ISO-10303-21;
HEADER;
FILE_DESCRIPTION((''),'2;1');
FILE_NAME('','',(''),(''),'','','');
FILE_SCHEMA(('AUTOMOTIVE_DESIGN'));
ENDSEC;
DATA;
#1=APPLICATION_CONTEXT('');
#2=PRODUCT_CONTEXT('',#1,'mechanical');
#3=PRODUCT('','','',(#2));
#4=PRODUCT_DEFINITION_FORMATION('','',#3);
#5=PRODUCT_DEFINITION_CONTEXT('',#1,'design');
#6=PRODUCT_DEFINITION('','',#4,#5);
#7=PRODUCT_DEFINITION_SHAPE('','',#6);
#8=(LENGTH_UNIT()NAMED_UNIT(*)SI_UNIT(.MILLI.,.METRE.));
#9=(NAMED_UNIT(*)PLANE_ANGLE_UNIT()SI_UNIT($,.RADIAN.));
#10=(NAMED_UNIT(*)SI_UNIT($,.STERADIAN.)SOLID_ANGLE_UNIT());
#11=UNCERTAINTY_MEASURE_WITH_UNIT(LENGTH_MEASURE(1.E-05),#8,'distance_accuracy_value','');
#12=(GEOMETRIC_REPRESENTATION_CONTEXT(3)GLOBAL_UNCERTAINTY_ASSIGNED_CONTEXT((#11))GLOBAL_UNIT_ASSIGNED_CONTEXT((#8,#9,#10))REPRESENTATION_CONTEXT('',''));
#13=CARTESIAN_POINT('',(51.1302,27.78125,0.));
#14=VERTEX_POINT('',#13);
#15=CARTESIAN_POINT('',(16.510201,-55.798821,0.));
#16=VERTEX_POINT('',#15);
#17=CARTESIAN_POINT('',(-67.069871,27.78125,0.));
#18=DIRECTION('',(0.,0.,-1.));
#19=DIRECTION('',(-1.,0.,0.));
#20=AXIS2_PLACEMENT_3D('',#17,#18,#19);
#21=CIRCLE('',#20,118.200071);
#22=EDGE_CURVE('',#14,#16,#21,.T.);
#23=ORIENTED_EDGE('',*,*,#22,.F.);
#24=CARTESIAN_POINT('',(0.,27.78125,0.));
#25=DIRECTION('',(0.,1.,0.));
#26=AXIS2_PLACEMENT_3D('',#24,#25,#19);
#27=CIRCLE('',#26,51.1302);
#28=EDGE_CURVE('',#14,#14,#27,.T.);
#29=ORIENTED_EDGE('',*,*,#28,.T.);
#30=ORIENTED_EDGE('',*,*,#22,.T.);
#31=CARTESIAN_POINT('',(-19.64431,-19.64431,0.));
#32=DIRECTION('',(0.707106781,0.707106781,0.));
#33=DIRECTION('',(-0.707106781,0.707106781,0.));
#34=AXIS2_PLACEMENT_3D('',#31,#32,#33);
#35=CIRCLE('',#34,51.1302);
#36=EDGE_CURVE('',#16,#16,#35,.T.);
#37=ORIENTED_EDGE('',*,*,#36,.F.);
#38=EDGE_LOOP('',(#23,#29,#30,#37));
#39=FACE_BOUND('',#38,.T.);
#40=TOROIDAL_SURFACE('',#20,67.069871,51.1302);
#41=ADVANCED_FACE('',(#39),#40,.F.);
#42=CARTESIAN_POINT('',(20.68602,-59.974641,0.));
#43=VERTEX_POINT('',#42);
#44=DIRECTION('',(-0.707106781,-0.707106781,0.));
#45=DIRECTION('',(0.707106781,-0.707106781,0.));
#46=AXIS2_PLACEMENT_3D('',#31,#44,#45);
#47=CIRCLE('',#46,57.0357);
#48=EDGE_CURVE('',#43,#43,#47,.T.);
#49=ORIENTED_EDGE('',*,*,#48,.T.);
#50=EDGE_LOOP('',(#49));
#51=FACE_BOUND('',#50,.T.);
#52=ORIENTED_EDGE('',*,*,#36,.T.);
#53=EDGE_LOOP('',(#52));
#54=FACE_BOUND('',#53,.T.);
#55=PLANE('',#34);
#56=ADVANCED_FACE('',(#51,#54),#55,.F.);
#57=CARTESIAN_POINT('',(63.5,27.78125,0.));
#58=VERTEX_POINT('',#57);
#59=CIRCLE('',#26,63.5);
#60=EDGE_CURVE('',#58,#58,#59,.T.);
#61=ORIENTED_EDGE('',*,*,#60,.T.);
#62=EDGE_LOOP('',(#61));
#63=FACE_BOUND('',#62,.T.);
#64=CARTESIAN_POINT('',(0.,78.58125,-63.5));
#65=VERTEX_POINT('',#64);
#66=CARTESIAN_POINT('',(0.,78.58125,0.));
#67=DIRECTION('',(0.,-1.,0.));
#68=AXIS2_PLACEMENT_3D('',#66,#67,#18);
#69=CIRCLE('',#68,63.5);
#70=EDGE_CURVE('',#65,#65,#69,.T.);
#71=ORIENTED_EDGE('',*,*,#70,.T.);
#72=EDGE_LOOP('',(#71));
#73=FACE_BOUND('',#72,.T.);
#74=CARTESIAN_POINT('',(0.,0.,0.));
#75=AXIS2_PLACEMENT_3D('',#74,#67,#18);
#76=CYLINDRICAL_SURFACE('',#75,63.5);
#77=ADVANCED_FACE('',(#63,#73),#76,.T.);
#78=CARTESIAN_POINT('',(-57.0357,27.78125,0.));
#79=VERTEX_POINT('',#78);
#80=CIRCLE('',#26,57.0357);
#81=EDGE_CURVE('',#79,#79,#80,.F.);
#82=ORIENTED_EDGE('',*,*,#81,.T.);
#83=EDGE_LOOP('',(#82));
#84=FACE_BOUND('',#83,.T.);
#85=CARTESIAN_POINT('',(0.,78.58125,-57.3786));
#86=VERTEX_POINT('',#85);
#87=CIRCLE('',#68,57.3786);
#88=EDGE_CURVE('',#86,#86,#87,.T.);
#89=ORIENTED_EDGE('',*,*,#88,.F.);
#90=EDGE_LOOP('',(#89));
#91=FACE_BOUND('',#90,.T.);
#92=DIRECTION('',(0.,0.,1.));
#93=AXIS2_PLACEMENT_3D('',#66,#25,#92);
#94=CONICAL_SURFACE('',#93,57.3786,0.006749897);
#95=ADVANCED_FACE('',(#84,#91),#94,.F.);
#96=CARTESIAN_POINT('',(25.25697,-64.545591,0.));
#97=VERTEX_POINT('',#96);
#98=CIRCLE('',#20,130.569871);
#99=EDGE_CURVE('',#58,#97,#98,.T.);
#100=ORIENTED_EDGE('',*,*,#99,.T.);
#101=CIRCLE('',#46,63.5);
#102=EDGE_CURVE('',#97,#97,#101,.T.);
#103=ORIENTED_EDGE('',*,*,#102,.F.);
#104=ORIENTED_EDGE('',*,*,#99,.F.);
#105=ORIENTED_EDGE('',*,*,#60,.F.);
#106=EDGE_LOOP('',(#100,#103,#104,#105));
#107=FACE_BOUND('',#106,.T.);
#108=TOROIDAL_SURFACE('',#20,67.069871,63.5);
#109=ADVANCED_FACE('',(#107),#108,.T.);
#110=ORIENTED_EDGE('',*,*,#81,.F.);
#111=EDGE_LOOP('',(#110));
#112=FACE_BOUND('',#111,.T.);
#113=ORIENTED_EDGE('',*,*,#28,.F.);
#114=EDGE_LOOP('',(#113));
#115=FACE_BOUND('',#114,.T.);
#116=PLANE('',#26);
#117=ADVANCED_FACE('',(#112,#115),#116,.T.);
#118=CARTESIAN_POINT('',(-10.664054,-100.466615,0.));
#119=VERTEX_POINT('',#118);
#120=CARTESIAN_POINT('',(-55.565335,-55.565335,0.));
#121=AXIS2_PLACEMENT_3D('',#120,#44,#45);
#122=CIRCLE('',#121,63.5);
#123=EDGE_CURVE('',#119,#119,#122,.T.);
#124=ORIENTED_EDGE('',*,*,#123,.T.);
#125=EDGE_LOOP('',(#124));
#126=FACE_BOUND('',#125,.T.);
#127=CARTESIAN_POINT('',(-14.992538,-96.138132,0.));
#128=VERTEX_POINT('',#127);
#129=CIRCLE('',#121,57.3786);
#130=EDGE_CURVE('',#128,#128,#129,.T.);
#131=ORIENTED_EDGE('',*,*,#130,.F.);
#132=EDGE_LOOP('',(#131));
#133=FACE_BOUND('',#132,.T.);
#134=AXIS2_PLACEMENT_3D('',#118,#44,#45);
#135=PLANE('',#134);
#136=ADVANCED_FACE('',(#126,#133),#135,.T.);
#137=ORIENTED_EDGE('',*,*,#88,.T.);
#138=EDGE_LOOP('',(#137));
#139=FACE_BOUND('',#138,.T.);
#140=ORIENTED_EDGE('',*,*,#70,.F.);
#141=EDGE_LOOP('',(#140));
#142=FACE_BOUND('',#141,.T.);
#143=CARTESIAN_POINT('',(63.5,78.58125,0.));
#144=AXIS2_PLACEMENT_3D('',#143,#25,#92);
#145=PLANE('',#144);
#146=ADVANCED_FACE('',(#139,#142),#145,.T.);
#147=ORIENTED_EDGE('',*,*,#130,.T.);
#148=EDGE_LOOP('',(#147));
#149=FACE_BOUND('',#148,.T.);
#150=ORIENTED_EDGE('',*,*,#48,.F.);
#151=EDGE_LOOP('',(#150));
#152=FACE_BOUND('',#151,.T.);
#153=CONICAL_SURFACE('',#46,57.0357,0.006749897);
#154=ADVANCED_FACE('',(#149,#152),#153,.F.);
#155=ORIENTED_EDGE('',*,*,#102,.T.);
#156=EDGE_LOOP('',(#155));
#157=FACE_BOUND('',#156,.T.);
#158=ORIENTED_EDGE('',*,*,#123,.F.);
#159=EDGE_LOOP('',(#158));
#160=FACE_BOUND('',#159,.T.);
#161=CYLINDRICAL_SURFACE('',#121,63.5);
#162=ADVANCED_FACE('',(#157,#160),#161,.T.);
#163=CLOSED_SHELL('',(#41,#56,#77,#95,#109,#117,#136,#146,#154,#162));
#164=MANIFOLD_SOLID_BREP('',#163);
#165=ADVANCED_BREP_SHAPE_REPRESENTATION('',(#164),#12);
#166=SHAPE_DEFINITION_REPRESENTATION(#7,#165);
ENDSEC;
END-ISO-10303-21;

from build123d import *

# Parameters (mm, degrees)
SKETCH3_R   = 63.5
SKETCH3_R_2 = 51.1302


with BuildPart() as part:
    # Sketch1 → Revolve1 (revolve)
    with BuildSketch(Plane.XY):
        Polygon((-10.664054144, -100.466615354), (25.256970341, -64.54559087), (20.686019975, -59.974640505), (-14.992537594, -96.138131904), align=None)
    revolve(axis=Axis((-55.565334749, -55.565334749, 0), (0.7071067811865487, 0.7071067811865465, 0)))



with BuildPart() as body_2:
    # Sketch2 → Revolve2 (revolve)
    with BuildSketch(Plane.XY):
        Polygon((57.3786, 78.58125), (57.0357, 27.78125), (63.5, 27.78125), (63.5, 78.58125), align=None)
    revolve(axis=Axis((0, 0, 0), (0, 1, 0)))


with BuildPart() as part_1:
    add(part.part)

    add(body_2.part)  # Sweep1 merges body 2
    # Sweep1: sweep along a path in Sketch4
    with BuildLine(Plane.XY) as sweep1_path:
        ThreePointArc((-19.644310265, -19.644310265), (-5.105389899, 2.114721737), (0, 27.78125))
    # Sketch3 → Sweep1 (sweep)
    with BuildSketch(Plane(origin=(-19.644310265, -19.644310265, 0), x_dir=(0, 0, -1), z_dir=(0.7071067811865488, 0.7071067811865464, 0))):
        Circle(SKETCH3_R)
        Circle(SKETCH3_R_2, mode=Mode.SUBTRACT)
    sweep(path=sweep1_path.line)


solid = part_1.part
